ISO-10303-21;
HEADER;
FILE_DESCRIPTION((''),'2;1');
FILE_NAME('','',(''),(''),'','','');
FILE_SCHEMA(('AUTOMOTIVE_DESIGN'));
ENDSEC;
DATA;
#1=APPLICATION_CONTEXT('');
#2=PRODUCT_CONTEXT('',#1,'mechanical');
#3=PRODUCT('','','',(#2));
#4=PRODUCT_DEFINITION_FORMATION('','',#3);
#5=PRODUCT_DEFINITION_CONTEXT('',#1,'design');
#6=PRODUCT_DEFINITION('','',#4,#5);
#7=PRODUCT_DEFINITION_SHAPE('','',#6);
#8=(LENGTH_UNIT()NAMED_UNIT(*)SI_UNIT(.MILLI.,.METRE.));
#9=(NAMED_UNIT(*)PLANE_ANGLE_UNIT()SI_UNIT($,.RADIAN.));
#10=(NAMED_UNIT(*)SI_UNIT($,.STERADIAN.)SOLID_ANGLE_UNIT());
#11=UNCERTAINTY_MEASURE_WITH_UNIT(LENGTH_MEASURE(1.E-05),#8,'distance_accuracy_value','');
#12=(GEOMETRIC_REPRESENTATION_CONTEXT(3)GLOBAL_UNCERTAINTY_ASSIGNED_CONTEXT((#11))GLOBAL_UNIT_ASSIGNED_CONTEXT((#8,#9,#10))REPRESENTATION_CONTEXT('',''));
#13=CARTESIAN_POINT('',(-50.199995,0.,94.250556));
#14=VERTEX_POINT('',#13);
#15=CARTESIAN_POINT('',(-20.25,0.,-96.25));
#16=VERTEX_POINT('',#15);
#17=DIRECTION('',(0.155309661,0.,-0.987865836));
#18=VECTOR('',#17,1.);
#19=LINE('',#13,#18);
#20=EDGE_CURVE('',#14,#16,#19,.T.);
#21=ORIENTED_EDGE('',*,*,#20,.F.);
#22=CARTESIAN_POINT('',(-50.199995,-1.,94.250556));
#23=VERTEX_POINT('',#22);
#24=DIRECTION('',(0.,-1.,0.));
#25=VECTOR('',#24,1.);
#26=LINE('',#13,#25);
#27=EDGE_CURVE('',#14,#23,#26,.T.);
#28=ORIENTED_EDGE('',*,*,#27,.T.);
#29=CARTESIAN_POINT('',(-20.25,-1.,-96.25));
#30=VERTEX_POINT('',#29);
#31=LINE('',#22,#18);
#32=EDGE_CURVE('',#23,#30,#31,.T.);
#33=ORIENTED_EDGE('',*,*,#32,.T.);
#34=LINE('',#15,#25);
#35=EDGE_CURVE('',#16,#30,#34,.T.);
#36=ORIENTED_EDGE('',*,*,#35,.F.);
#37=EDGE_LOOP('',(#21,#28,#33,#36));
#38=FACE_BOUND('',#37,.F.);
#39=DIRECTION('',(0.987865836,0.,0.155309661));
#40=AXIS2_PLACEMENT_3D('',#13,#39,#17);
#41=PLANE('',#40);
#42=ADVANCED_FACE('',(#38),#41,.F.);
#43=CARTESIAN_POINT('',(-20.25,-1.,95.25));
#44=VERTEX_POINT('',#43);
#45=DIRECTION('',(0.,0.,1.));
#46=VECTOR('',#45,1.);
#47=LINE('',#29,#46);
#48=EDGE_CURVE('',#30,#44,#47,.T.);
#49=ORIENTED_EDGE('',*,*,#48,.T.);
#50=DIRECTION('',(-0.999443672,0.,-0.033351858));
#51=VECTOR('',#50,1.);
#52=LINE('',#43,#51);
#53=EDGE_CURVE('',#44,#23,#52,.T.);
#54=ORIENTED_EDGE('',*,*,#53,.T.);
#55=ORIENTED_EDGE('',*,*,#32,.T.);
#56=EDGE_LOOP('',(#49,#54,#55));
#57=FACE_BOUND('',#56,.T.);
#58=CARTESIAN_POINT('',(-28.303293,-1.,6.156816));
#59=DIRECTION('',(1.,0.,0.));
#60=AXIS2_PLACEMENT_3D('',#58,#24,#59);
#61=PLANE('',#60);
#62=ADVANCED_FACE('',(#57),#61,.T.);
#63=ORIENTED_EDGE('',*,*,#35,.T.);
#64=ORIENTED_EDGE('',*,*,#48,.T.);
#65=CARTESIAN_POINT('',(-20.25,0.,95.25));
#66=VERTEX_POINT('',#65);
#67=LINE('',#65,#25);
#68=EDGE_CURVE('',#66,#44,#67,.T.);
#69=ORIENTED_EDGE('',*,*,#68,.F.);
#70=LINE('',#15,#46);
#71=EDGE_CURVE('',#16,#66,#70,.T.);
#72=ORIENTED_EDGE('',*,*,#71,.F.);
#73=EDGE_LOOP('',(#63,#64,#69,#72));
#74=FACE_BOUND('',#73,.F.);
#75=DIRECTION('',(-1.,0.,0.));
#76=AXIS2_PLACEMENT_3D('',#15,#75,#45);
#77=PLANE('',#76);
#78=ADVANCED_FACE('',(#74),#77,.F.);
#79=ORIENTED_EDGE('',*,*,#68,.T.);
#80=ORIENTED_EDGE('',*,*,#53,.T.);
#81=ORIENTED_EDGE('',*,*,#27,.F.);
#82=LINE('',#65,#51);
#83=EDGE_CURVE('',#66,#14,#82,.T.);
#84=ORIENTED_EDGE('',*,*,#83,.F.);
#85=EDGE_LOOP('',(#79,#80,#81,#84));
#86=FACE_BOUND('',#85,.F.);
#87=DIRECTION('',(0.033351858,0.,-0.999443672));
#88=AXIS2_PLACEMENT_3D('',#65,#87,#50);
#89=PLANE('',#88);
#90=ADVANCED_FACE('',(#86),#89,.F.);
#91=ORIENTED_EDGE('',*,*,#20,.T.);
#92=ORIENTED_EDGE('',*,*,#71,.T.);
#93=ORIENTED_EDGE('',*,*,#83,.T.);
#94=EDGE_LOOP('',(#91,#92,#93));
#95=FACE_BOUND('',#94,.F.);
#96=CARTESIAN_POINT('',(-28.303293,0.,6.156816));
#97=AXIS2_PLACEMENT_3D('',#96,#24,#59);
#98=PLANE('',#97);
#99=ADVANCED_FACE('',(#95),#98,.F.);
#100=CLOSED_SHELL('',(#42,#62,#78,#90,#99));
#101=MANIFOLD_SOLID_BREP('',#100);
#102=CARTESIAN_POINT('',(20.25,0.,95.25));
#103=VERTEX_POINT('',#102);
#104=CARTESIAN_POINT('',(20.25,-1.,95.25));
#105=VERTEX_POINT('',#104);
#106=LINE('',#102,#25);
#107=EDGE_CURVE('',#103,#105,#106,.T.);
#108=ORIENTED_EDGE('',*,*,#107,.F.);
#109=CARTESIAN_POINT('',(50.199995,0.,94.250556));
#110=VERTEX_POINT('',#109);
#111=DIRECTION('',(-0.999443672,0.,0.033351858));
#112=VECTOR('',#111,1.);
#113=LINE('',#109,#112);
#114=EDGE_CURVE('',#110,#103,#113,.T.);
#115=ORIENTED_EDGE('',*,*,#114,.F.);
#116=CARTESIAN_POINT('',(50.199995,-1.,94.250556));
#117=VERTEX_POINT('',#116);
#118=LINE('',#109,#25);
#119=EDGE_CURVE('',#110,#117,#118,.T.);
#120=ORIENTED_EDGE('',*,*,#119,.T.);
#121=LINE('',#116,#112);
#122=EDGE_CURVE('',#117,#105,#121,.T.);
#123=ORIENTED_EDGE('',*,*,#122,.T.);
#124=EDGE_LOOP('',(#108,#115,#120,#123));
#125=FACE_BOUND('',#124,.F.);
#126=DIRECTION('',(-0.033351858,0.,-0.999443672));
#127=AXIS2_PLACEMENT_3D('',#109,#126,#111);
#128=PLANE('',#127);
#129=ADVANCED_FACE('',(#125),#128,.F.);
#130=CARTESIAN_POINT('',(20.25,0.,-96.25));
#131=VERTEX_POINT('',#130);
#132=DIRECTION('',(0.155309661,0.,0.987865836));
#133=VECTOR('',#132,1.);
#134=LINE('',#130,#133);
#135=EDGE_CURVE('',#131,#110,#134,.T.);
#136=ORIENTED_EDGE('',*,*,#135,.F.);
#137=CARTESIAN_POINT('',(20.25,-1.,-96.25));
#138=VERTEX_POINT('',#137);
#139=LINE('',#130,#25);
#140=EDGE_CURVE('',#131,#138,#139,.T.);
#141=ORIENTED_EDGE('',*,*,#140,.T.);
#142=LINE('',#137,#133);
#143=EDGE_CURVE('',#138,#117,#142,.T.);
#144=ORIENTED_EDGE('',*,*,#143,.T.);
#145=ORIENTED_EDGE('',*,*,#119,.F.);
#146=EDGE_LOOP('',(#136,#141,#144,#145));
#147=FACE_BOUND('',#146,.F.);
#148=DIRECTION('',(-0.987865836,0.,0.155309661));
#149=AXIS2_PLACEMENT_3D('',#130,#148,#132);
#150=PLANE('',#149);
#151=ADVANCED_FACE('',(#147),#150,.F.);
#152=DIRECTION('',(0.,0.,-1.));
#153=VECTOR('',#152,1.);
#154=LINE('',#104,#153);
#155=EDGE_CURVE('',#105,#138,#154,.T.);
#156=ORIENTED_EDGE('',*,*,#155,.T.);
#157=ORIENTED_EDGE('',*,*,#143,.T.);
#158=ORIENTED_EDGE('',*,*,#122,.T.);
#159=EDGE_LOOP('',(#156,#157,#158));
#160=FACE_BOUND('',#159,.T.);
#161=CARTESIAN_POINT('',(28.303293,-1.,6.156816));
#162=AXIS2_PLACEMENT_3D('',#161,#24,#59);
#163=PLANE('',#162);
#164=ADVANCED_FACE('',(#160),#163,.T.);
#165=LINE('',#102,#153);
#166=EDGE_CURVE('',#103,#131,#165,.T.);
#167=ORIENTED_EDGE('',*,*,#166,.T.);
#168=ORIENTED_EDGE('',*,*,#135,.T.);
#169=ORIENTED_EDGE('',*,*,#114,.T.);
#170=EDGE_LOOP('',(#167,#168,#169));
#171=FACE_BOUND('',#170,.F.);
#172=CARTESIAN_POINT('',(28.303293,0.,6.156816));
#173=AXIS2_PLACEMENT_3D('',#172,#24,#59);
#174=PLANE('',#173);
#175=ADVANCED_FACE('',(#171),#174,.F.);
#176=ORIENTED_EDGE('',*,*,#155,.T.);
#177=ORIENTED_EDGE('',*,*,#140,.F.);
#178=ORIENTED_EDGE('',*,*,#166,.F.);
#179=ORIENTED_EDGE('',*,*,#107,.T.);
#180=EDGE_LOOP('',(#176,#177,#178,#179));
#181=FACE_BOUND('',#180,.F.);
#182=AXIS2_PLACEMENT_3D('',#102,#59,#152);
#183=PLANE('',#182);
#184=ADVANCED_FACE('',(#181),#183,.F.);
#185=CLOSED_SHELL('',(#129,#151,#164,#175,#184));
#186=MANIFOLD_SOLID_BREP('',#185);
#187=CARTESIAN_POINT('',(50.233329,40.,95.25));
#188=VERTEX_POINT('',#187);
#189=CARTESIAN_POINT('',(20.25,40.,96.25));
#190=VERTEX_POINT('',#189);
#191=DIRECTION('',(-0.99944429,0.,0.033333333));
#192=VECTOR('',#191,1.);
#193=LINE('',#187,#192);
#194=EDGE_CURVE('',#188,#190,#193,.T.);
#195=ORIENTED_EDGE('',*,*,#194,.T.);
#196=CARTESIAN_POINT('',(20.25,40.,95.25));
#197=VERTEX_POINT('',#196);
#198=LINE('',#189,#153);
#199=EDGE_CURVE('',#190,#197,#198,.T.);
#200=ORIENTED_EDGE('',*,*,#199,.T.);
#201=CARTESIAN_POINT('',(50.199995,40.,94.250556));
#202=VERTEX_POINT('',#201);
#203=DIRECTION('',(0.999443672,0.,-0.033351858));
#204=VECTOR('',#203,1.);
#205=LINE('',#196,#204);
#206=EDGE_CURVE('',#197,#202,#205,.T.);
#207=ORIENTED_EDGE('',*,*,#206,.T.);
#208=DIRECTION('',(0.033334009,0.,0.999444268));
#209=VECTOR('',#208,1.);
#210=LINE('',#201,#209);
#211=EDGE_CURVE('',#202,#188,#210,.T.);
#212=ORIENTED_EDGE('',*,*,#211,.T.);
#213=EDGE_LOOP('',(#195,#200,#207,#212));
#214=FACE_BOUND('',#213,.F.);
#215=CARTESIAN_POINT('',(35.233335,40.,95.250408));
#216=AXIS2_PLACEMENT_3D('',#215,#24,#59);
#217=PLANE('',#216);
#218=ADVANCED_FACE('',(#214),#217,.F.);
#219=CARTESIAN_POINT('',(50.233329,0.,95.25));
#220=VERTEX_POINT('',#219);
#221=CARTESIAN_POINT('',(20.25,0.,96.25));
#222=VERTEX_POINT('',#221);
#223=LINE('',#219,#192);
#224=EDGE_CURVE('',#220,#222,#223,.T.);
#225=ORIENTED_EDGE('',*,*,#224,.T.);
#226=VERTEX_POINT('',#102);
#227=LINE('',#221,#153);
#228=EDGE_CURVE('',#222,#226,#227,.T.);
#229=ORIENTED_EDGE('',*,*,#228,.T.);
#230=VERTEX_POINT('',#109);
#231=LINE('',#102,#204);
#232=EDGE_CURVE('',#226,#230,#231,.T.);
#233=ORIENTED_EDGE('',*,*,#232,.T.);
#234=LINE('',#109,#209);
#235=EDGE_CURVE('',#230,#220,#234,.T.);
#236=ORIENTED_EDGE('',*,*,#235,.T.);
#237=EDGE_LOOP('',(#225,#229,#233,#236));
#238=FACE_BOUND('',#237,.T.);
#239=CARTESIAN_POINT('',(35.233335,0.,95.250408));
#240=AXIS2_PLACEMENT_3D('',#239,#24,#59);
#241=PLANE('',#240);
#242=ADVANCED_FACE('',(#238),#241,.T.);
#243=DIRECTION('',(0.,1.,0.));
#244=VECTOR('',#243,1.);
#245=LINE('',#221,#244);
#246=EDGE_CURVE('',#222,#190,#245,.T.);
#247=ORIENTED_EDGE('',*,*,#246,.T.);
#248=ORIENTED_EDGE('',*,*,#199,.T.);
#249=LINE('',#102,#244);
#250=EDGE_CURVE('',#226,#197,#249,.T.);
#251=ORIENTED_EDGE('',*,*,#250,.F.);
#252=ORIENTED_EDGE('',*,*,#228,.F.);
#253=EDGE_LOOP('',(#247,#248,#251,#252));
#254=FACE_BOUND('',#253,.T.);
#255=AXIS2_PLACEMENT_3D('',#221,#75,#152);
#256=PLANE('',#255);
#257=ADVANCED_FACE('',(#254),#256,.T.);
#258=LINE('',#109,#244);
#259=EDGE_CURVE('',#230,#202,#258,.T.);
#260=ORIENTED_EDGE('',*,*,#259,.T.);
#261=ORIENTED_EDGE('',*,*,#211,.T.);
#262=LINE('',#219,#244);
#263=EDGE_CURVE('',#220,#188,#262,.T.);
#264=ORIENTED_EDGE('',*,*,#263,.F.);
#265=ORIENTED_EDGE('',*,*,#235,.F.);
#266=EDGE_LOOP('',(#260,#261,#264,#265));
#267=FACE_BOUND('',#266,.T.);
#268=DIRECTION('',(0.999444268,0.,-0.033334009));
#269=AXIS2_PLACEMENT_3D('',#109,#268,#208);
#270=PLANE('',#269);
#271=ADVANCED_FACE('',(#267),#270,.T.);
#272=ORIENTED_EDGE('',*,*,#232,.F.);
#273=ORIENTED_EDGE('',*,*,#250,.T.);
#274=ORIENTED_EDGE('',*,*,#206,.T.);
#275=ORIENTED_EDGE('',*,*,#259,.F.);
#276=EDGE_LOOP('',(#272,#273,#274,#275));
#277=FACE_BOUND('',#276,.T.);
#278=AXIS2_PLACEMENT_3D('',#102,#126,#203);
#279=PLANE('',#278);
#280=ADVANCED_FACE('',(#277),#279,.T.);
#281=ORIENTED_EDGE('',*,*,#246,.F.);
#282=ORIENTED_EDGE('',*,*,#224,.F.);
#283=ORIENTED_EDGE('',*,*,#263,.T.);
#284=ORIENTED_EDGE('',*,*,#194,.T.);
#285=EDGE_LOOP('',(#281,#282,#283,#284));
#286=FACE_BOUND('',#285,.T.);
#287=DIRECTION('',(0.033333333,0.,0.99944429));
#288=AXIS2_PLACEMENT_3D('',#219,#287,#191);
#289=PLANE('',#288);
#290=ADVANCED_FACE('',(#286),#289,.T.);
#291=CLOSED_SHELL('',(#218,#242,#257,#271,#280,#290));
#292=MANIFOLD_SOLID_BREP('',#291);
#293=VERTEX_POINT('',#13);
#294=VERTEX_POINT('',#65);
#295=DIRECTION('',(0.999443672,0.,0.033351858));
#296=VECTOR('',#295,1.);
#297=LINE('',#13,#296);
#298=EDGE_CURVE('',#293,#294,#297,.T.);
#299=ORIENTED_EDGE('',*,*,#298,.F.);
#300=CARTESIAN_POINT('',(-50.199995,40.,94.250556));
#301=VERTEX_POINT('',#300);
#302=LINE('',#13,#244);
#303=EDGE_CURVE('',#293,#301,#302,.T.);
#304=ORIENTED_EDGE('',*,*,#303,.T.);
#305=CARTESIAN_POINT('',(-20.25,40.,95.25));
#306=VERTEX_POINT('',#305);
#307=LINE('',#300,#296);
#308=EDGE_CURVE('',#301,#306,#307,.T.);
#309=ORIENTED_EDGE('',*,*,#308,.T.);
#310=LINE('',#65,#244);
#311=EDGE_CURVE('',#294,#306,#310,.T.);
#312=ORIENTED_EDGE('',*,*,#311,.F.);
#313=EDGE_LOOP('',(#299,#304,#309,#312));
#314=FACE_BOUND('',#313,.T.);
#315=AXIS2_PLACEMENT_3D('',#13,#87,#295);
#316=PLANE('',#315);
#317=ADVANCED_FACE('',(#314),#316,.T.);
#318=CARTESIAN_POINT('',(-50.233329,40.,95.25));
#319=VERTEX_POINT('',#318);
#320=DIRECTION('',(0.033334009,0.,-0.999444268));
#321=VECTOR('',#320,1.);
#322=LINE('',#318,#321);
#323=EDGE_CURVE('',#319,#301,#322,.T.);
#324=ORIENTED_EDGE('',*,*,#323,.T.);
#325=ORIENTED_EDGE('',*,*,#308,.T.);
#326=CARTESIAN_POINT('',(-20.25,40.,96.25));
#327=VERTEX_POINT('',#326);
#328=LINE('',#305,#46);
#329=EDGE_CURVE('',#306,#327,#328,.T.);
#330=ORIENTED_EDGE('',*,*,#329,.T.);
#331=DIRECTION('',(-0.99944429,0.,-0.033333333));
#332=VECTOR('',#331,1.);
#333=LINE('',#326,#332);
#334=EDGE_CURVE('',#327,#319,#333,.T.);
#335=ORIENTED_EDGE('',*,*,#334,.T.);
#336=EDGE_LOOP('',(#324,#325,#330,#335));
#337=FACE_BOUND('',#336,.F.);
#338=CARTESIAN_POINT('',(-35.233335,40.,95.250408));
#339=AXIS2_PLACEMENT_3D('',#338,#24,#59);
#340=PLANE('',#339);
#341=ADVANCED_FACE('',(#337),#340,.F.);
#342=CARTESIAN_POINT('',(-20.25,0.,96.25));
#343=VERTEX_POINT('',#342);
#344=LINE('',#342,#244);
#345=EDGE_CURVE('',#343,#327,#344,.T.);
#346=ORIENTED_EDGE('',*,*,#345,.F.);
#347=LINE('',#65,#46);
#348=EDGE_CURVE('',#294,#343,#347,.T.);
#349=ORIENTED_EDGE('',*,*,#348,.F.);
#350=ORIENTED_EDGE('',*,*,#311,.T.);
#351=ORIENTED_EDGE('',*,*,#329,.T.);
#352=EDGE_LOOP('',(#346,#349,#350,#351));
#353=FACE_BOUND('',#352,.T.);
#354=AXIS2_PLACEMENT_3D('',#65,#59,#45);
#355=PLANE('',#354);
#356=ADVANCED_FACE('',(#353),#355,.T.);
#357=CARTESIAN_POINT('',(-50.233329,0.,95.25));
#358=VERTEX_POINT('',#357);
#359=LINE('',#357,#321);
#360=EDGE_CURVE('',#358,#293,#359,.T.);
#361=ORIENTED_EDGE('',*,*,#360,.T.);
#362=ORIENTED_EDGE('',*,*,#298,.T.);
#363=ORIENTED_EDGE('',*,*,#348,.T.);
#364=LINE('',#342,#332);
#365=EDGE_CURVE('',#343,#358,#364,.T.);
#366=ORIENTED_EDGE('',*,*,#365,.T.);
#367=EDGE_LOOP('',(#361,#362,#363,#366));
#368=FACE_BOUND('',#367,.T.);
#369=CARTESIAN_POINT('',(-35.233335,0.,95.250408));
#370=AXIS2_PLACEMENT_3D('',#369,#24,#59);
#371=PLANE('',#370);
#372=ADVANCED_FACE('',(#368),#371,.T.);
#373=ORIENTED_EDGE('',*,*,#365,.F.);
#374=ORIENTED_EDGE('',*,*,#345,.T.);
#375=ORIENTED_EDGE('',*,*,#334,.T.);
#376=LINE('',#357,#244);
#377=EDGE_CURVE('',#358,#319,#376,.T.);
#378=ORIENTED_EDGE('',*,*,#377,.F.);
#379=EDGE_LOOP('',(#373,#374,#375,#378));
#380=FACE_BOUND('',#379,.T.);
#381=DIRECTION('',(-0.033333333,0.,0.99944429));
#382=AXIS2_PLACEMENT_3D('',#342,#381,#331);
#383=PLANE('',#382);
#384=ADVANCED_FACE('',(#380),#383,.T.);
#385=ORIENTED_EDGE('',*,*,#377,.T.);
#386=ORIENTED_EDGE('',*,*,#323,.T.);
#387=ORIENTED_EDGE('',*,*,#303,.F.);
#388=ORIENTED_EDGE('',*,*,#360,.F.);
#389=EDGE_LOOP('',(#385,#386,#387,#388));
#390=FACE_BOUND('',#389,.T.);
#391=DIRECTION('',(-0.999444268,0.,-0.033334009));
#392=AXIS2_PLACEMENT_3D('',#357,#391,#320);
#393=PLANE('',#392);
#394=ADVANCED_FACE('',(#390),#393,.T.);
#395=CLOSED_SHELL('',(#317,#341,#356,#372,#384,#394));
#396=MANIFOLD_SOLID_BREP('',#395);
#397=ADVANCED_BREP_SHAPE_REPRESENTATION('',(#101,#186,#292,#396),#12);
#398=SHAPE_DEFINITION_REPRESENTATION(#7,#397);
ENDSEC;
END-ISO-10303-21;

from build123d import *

# Parameters (mm, degrees)
F1_DEPTH = 1
F2_DEPTH = 40


with BuildPart() as f1:
    # F0 (on Front) → F1 (new body)
    with BuildSketch(Plane.XZ):
        Polygon((50.199995, 94.250556), (20.25, 95.25), (20.25, -96.25), align=None)
        Polygon((-20.25, -96.25), (-20.25, 95.25), (-50.199995, 94.250556), align=None)
    extrude(amount=F1_DEPTH)


with BuildPart() as f2:
    # F0 (on Front) → F2 (new body)
    with BuildSketch(Plane.XZ):
        Polygon((50.233329, 95.25), (20.25, 96.25), (20.25, 95.25), (50.199995, 94.250556), align=None)
        Polygon((-20.25, 95.25), (-20.25, 96.25), (-50.233329, 95.25), (-50.199995, 94.250556), align=None)
    extrude(amount=-F2_DEPTH)


solid = Compound([f1.part, f2.part])
